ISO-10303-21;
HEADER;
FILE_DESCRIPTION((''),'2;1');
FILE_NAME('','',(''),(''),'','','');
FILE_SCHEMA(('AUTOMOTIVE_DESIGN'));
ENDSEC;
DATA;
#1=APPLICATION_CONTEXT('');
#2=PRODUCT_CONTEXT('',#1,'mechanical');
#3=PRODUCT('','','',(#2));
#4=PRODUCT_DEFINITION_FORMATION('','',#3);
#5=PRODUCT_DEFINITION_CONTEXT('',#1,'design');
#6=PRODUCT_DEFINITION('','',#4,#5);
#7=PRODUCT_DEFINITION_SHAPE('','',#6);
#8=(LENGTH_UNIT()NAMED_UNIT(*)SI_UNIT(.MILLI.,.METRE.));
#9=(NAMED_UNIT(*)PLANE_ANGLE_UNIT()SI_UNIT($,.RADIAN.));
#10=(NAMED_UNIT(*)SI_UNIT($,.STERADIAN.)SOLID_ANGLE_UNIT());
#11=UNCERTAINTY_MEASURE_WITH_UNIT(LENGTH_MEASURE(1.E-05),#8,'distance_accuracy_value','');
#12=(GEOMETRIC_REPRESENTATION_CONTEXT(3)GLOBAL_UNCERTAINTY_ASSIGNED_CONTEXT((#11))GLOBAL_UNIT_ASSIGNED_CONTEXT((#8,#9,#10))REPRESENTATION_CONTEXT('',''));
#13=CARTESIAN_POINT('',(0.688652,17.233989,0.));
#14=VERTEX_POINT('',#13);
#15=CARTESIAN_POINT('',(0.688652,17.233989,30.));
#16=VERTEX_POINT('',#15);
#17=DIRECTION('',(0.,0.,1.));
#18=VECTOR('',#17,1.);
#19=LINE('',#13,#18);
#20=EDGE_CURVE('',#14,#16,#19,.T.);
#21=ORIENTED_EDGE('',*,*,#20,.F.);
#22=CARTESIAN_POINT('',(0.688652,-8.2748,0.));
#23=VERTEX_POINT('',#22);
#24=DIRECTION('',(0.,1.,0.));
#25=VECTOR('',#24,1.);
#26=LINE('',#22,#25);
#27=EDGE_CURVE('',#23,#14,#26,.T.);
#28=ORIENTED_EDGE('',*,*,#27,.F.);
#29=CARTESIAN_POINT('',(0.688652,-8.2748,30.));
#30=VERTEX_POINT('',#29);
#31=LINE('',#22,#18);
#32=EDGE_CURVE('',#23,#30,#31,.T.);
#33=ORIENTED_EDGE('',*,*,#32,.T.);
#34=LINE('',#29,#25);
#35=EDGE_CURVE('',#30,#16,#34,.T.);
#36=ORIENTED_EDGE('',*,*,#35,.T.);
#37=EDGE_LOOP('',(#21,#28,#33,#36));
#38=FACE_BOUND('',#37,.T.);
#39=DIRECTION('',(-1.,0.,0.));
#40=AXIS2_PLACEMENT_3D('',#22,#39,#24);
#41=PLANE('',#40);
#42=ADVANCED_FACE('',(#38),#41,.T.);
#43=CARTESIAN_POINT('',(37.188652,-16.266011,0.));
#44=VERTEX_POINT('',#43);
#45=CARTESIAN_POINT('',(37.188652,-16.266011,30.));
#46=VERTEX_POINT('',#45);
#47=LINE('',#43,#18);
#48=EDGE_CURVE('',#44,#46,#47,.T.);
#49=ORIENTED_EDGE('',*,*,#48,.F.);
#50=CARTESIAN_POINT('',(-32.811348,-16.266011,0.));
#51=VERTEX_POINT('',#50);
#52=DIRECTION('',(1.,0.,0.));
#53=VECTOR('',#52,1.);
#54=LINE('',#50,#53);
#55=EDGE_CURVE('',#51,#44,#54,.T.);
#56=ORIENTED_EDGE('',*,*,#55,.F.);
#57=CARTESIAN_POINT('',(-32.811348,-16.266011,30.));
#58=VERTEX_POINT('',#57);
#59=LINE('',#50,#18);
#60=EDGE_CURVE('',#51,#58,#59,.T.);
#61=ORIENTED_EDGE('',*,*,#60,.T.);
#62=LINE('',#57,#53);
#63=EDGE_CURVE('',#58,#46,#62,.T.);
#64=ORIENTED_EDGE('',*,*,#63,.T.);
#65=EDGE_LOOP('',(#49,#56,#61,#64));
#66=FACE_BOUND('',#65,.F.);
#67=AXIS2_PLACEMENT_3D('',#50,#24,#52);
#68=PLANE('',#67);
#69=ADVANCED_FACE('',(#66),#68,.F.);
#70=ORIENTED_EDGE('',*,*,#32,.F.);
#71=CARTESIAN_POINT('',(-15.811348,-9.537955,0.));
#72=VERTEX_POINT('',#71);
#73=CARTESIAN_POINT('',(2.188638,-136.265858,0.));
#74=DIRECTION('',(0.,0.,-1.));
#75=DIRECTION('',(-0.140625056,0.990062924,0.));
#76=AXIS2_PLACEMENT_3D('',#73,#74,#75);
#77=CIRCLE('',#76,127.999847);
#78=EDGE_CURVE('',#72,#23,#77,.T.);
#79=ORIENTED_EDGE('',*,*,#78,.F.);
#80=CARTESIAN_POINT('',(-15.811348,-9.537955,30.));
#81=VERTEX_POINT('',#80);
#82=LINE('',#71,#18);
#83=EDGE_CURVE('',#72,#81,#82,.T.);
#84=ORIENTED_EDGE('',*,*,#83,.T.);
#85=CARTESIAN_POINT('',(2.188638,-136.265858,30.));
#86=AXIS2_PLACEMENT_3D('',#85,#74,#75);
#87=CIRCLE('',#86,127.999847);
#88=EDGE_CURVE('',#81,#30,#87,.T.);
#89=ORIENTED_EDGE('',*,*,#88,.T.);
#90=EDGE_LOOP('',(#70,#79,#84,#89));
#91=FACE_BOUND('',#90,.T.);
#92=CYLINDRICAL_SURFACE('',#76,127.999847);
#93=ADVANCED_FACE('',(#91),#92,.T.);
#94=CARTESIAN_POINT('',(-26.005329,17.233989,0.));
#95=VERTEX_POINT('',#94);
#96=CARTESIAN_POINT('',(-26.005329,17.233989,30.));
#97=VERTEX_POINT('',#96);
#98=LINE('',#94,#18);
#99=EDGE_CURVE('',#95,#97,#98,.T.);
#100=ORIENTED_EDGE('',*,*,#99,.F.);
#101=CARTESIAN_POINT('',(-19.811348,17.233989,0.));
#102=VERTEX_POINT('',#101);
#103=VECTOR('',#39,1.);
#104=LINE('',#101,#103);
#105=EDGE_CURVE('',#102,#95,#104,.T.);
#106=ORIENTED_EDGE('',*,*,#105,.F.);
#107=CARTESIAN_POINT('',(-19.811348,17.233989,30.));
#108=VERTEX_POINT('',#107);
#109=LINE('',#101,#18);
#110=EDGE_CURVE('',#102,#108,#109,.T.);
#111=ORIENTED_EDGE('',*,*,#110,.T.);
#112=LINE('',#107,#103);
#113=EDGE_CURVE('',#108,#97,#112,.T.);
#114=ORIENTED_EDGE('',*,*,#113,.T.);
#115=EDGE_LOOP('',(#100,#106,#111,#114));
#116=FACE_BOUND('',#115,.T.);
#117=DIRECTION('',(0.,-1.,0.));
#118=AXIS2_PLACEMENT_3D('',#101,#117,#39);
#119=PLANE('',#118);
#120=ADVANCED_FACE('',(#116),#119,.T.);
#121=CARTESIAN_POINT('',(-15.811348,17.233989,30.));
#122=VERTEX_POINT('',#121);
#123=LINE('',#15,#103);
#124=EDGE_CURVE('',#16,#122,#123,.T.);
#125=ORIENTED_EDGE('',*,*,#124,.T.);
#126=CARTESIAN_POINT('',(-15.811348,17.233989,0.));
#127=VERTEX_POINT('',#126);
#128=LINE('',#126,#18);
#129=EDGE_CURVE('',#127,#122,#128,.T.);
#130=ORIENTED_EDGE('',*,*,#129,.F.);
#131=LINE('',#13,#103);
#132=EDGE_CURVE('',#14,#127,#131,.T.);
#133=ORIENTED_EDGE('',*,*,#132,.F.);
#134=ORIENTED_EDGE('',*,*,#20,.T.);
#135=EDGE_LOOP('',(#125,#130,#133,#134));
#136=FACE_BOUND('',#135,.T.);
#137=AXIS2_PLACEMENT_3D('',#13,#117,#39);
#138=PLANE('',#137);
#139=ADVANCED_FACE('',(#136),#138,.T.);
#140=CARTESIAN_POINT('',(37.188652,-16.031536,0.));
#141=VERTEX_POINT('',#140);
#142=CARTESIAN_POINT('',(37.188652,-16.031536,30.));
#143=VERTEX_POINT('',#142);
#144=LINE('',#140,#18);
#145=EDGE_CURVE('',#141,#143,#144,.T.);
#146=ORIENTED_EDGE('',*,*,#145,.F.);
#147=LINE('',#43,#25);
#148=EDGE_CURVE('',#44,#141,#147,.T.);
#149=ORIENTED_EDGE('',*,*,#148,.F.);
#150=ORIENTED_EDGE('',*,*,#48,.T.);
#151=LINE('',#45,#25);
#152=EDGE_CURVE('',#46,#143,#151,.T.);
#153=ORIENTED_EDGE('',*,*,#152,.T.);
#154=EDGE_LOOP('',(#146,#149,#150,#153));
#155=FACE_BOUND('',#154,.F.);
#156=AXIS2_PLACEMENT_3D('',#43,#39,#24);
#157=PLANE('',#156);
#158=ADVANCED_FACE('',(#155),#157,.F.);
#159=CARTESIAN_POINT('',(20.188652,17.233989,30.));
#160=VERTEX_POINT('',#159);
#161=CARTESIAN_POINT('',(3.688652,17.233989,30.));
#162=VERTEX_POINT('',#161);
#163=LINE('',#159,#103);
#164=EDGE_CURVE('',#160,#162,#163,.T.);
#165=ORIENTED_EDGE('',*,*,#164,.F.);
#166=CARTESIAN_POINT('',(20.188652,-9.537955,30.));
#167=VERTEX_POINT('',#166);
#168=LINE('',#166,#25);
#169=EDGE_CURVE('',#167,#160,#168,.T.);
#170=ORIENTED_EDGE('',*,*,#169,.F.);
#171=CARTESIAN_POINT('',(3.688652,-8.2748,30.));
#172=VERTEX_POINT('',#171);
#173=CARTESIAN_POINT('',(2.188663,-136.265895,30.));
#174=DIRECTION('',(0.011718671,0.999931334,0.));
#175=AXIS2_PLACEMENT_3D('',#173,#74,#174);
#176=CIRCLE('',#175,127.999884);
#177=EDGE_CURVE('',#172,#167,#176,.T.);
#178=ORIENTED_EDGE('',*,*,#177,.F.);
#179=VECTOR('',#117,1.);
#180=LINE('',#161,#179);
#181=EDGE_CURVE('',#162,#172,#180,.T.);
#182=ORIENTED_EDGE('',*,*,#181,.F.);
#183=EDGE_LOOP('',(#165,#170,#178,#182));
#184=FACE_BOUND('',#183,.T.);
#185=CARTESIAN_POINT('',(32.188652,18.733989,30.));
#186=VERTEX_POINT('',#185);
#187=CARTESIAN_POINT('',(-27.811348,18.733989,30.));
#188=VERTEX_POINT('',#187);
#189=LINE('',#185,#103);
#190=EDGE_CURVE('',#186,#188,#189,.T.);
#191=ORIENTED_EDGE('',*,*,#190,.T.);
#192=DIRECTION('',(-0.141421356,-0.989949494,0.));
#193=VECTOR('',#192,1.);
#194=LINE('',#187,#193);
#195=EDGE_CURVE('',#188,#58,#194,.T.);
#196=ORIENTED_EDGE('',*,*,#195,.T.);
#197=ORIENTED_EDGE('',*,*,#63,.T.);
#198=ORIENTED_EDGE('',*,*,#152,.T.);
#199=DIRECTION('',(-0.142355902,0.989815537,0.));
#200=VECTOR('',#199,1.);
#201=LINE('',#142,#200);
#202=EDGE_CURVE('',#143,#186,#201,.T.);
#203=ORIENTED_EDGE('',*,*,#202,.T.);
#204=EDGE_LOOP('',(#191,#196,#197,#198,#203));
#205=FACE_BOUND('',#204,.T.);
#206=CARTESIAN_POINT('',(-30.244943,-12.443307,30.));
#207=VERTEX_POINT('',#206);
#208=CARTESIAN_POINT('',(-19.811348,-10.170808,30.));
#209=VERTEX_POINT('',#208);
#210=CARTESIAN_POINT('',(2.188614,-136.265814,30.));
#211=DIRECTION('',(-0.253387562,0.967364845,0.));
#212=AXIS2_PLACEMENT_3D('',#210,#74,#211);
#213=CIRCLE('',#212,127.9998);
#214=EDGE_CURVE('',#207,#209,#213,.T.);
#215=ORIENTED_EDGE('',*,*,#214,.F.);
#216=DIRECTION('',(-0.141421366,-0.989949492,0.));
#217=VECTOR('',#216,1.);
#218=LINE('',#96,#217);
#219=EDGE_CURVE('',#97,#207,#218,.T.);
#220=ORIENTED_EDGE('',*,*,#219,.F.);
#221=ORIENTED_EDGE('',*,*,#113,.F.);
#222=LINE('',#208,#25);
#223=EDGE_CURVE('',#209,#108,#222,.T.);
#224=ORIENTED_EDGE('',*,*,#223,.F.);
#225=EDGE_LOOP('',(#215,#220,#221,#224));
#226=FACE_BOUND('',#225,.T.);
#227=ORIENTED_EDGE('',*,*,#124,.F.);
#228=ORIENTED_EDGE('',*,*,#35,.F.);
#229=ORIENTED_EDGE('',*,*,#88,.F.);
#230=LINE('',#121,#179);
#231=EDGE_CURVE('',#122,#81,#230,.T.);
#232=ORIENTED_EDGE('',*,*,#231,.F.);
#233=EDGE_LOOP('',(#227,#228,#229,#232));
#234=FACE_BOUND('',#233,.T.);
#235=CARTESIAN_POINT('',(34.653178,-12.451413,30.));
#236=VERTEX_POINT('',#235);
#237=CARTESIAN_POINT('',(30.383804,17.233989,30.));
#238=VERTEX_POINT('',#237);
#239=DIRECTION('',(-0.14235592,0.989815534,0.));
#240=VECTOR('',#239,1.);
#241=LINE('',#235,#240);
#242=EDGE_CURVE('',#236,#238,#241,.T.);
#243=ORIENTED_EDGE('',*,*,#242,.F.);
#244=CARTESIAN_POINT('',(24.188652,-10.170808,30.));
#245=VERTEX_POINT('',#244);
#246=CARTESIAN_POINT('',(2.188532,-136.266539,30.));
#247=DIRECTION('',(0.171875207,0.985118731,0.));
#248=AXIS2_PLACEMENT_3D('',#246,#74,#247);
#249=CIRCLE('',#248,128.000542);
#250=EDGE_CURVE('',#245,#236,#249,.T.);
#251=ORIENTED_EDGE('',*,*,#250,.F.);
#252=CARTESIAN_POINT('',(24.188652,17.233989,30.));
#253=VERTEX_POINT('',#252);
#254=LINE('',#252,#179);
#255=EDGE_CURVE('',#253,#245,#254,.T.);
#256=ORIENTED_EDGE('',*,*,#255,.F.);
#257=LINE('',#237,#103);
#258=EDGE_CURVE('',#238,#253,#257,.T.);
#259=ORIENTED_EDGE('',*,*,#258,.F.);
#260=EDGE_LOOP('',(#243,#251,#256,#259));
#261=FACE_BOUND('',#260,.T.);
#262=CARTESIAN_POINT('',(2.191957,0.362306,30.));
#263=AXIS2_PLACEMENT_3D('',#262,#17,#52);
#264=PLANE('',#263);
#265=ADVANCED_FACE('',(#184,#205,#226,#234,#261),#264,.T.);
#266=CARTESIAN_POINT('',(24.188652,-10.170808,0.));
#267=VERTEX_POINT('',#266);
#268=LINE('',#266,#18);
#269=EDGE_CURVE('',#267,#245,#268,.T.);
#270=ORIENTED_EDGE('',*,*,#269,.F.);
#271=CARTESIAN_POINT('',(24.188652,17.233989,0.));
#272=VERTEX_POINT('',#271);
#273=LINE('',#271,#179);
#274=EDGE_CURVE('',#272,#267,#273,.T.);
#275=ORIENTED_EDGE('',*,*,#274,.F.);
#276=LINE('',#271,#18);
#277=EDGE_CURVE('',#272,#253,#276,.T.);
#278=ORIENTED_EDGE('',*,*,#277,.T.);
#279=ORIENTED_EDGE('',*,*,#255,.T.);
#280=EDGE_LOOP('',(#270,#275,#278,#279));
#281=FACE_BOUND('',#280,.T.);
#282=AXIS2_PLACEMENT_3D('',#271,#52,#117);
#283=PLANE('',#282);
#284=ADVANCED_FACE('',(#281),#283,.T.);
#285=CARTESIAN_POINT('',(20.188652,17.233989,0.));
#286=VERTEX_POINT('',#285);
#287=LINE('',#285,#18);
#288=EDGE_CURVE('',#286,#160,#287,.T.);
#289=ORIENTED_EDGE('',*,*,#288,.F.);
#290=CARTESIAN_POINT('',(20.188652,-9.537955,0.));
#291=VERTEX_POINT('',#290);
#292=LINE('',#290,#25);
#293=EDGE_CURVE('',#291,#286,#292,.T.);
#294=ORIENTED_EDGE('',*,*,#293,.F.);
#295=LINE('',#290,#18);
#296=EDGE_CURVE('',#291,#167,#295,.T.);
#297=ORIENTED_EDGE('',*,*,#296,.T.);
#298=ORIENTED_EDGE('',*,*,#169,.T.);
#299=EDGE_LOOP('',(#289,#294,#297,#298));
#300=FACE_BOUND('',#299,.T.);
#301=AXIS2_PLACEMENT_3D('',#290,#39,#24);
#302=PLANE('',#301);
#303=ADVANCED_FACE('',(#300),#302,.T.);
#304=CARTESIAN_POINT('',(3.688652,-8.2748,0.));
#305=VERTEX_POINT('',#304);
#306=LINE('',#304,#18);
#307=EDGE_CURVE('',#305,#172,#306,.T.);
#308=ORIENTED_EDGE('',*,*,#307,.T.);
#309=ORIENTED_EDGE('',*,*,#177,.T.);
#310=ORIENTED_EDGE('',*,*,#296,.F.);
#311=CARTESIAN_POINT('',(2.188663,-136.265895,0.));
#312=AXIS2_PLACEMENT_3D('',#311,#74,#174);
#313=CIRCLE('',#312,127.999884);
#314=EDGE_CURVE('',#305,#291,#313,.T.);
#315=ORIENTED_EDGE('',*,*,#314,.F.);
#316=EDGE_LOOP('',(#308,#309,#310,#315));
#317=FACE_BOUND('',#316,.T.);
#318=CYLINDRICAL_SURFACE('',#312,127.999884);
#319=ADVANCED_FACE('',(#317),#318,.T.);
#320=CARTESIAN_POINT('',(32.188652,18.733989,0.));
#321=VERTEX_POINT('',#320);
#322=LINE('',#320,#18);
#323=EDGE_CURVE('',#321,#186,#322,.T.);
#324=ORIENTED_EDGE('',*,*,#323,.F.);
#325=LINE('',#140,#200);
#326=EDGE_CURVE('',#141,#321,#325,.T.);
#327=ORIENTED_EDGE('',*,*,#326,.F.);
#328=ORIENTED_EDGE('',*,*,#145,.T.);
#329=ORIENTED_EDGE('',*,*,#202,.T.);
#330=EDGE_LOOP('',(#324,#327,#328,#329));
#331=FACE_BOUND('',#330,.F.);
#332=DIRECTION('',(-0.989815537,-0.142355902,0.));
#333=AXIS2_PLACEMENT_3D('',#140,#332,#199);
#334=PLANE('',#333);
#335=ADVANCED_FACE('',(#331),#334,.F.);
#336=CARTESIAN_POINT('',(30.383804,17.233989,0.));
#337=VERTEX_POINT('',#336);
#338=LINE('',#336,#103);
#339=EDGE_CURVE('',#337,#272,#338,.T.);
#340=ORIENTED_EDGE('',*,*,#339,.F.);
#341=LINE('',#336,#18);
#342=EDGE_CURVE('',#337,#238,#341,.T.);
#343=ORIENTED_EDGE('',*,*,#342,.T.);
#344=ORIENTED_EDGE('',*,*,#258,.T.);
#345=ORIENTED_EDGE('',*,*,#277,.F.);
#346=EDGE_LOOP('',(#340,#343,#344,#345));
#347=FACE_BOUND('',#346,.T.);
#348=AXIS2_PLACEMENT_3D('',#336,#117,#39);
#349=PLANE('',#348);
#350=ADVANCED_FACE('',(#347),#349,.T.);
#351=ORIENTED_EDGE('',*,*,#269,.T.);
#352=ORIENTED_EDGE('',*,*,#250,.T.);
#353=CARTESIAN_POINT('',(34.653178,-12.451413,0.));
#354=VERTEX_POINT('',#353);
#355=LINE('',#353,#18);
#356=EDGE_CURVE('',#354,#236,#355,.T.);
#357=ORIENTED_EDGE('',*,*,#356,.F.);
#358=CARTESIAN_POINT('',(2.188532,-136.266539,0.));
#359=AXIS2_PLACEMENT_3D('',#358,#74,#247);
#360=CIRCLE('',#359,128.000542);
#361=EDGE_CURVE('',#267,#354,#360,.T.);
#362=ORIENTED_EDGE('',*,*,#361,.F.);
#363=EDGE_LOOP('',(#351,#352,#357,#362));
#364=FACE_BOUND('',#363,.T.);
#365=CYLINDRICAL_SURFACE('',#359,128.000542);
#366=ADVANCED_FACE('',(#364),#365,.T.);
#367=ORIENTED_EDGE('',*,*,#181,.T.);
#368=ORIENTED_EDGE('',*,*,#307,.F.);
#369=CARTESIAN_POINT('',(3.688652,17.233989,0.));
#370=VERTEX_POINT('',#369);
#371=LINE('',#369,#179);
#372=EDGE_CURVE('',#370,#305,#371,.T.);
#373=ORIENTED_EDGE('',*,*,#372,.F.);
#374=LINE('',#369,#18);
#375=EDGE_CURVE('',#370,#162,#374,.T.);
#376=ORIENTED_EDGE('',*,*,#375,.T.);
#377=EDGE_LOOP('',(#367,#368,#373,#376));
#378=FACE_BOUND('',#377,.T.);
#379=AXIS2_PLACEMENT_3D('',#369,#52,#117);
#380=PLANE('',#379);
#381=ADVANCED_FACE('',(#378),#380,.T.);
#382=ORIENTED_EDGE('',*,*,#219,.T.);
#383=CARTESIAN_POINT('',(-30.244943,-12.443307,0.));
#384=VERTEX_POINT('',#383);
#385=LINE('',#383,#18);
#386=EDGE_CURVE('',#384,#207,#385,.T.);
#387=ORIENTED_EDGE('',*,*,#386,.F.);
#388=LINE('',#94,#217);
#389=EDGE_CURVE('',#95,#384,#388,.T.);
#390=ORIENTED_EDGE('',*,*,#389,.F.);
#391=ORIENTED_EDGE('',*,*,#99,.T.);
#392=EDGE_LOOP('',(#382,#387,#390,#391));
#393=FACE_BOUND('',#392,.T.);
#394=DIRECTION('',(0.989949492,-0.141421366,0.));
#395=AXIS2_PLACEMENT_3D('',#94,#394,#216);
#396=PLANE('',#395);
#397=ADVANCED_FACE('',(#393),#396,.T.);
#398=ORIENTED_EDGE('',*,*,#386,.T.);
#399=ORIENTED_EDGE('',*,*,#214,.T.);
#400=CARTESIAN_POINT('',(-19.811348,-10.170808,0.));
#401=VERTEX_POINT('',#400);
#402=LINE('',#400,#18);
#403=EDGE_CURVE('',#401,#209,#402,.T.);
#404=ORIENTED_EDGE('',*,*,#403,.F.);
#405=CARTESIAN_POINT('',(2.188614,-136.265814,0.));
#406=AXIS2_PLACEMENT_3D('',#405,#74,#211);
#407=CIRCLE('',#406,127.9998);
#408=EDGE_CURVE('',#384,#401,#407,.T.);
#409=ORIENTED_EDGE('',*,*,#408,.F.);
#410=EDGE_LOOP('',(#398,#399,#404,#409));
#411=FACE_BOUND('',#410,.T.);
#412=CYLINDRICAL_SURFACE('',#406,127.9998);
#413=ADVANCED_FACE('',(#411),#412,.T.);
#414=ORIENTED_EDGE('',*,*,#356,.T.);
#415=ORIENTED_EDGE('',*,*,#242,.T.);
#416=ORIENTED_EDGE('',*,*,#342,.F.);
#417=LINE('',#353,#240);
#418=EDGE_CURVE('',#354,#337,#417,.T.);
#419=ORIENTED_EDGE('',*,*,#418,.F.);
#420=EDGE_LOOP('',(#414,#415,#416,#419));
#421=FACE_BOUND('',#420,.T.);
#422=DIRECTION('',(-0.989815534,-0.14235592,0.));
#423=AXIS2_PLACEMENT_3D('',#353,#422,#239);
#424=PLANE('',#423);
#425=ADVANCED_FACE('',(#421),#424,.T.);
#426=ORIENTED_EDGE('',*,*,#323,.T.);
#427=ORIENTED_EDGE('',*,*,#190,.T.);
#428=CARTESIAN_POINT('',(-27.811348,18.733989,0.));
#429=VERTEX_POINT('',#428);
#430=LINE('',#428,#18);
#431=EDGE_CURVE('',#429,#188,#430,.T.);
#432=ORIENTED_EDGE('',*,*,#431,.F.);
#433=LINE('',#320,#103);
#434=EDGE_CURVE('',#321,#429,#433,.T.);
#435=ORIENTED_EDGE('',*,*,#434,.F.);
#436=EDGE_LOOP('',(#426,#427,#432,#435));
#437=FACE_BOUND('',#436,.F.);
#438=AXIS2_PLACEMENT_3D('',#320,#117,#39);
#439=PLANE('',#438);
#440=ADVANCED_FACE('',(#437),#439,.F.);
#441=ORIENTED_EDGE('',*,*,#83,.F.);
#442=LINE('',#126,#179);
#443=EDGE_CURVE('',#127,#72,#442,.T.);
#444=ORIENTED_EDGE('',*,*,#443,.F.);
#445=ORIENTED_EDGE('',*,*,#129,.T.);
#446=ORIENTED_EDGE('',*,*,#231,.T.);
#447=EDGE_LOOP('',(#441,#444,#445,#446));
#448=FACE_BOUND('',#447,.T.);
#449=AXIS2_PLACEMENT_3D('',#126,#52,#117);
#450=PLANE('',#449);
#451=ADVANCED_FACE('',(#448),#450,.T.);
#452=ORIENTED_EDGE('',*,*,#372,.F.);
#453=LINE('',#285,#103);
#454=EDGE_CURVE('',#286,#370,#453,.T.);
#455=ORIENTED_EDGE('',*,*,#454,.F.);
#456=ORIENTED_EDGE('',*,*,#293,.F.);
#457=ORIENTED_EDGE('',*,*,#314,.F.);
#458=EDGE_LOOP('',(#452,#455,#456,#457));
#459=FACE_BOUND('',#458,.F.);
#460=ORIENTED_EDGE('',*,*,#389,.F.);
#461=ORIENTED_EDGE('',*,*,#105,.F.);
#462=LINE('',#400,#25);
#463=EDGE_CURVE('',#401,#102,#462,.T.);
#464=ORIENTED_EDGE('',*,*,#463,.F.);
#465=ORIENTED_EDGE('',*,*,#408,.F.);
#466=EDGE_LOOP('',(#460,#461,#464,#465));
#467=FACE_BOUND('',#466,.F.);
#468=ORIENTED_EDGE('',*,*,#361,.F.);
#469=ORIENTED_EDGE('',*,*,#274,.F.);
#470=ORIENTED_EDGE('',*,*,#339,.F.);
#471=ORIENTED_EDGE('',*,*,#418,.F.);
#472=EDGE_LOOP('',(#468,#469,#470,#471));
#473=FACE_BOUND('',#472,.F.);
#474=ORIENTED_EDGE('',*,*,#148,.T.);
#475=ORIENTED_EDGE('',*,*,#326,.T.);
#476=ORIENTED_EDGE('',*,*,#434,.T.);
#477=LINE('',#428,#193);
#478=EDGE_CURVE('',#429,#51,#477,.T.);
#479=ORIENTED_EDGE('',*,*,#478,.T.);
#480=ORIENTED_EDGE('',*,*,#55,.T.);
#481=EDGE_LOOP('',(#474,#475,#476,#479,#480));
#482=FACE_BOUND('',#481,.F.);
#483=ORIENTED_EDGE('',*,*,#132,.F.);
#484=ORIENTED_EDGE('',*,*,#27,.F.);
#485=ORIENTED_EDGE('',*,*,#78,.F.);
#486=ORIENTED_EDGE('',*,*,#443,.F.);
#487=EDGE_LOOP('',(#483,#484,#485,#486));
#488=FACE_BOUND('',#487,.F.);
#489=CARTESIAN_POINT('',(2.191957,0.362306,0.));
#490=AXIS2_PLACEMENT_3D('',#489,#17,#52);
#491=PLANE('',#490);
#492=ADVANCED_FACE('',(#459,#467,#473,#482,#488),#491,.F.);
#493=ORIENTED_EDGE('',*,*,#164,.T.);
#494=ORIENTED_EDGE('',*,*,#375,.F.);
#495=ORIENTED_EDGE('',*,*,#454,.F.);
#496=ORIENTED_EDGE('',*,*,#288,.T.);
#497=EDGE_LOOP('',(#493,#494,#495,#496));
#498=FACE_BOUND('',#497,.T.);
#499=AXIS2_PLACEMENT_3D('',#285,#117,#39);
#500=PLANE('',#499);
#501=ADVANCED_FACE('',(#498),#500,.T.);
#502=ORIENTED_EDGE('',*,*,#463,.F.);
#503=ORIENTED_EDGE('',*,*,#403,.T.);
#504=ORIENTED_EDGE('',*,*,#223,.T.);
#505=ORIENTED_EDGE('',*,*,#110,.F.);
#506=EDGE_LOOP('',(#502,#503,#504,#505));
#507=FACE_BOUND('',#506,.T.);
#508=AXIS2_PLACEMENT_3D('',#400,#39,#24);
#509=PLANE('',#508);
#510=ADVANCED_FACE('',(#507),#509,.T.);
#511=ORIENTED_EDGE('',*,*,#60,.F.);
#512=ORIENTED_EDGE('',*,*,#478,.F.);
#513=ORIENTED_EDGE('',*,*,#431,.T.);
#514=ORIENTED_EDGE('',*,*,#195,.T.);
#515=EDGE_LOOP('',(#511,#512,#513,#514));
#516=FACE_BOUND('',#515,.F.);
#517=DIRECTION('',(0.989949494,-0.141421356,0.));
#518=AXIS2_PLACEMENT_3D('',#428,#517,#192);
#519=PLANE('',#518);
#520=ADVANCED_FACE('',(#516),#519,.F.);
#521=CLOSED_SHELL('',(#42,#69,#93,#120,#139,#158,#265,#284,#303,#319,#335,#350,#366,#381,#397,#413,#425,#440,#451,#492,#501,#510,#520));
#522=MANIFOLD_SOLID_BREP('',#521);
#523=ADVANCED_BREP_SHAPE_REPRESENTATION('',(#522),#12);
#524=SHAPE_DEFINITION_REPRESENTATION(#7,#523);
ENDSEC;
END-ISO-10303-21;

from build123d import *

# Parameters (mm, degrees)
F2_DEPTH = 30
F4_DEPTH = 30
F6_DEPTH = 30


with BuildPart() as f2:
    # F1 (on face) → F2 (new body)
    with BuildSketch(Plane.XY):
        Polygon((-27.811348, 18.733989), (-32.811348, -16.266011), (37.188652, -16.266011), (37.188652, -16.031536), (32.188652, 18.733989), align=None)
    extrude(amount=F2_DEPTH)

    # F3 (on face) → F4 (join)
    with BuildSketch(Plane.XY):
        with BuildLine():
            Line((-32.811348, -16.266011), (37.188652, -16.266011))
            ThreePointArc((37.188652, -16.266011), (2.188652, -11.266011), (-32.811348, -16.266011))
        make_face()
    extrude(amount=F4_DEPTH)

    # F5 (on Top) → F6 (cut)
    with BuildSketch(Plane.XY):
        with BuildLine():
            ThreePointArc((-30.244943, -12.443307), (-25.051853, -11.198209), (-19.811348, -10.170808))
            Line((-19.811348, -10.170808), (-19.811348, 17.233989))
            Line((-19.811348, 17.233989), (-26.005329, 17.233989))
            Line((-26.005329, 17.233989), (-30.244943, -12.443307))
        make_face()
        with BuildLine():
            ThreePointArc((24.188652, -10.170808), (29.444778, -11.201613), (34.653178, -12.451413))
            Line((34.653178, -12.451413), (30.383804, 17.233989))
            Line((30.383804, 17.233989), (24.188652, 17.233989))
            Line((24.188652, 17.233989), (24.188652, -10.170808))
        make_face()
        with BuildLine():
            ThreePointArc((3.688652, -8.2748), (11.959086, -8.639451), (20.188652, -9.537955))
            Line((20.188652, -9.537955), (20.188652, 17.233989))
            Line((20.188652, 17.233989), (3.688652, 17.233989))
            Line((3.688652, 17.233989), (3.688652, -8.2748))
        make_face()
        with BuildLine():
            ThreePointArc((-15.811348, -9.537955), (-7.581783, -8.639451), (0.688652, -8.2748))
            Line((0.688652, -8.2748), (0.688652, 17.233989))
            Line((0.688652, 17.233989), (-15.811348, 17.233989))
            Line((-15.811348, 17.233989), (-15.811348, -9.537955))
        make_face()
    extrude(amount=F6_DEPTH, mode=Mode.SUBTRACT)


solid = f2.part
